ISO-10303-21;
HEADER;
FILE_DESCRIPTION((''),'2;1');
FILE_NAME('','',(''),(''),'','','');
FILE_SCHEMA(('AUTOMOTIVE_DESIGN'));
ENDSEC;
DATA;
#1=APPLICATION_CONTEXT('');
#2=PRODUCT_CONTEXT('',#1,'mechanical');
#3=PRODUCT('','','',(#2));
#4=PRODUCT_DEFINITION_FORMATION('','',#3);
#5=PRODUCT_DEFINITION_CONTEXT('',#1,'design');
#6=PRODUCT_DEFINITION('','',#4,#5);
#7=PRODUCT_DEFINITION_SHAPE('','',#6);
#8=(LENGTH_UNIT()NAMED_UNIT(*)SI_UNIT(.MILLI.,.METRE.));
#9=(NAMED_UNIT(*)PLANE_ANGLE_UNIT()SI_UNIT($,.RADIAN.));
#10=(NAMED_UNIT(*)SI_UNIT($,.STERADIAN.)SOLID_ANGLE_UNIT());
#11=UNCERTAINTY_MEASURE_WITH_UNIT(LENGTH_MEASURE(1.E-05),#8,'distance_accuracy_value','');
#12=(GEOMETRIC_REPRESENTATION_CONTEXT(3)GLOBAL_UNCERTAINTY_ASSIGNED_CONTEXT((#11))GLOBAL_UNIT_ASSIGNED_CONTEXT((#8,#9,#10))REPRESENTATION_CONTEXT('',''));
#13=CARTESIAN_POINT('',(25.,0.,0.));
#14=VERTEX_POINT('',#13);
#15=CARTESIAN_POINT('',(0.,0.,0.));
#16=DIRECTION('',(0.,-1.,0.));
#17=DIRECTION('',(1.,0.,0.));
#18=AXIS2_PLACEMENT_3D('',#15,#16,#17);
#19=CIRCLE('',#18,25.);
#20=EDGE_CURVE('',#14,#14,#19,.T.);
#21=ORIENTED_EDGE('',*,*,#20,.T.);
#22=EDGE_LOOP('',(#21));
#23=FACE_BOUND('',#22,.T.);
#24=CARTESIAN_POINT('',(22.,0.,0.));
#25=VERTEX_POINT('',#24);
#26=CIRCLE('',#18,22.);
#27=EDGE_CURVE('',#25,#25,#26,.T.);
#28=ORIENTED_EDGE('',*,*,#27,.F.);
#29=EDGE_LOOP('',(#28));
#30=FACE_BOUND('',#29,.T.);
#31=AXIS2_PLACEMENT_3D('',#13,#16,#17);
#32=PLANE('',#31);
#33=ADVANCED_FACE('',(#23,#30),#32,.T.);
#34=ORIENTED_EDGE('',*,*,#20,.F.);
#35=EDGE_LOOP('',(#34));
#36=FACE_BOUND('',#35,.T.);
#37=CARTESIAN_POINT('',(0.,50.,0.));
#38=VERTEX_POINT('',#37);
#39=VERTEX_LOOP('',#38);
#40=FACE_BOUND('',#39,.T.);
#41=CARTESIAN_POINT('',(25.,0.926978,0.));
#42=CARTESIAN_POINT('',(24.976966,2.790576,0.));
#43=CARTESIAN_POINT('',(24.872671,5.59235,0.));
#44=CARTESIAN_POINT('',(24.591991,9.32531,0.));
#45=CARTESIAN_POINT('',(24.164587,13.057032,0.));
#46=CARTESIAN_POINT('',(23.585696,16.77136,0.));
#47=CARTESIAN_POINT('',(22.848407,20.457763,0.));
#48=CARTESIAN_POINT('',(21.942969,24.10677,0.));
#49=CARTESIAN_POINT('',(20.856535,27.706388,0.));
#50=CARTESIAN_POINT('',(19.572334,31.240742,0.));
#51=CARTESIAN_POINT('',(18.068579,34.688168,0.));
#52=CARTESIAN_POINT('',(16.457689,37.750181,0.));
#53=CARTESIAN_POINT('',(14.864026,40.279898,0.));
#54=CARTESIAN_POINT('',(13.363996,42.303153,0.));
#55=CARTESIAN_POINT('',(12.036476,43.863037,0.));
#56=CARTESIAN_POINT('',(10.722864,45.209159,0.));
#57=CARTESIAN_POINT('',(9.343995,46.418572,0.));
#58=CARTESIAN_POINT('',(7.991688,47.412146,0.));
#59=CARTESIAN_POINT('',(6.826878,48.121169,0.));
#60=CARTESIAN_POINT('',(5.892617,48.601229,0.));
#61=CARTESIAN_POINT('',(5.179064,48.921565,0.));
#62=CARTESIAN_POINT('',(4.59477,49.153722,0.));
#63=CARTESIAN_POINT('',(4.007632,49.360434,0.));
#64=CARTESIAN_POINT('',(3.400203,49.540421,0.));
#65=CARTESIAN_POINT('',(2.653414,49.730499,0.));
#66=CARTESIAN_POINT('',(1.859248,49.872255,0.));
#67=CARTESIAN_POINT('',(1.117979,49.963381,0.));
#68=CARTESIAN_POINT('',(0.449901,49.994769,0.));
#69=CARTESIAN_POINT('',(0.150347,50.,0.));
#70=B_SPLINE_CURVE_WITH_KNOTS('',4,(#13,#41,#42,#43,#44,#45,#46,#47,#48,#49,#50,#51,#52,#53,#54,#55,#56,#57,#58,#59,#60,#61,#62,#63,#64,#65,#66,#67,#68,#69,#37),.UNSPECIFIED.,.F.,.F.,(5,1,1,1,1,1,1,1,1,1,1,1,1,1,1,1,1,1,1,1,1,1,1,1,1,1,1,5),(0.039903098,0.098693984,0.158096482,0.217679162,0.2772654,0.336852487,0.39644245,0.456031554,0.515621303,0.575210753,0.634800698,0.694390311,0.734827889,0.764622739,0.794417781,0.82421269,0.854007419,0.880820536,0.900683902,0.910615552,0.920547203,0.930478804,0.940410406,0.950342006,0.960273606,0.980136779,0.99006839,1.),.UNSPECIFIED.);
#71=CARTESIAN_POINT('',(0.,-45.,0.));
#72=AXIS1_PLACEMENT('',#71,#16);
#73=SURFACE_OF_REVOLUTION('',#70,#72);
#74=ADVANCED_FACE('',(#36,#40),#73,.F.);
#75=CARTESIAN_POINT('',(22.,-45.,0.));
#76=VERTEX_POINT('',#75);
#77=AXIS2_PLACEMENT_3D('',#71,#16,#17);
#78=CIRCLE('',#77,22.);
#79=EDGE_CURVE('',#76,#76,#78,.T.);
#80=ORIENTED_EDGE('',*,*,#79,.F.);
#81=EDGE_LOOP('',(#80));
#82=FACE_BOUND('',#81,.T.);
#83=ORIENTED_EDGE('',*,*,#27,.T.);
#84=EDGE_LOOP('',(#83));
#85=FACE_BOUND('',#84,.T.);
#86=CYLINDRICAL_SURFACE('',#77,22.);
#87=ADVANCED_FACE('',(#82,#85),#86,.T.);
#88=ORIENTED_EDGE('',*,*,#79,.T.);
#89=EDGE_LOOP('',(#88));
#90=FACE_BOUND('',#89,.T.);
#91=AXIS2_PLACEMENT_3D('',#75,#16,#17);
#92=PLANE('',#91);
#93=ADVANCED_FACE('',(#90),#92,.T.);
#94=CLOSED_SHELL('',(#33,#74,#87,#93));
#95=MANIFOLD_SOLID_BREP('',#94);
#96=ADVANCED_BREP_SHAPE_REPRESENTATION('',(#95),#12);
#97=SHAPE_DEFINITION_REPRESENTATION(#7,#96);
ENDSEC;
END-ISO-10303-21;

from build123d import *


with BuildPart() as part:
    # Sketch1 → Revolve1 (revolve)
    with BuildSketch(Plane.XY):
        with BuildLine():
            Line((25.000000002, 0), (22, 0))
            Line((22, 0), (22, -45))
            Line((22, -45), (0, -45))
            Line((0, -45), (0, 49.999999999))
            add(Edge.make_bspline(
                [(0, 49.999999999), (0.150346697, 49.999999999), (0.44990103, 49.994768682), (1.117978976, 49.963381232), (1.859247523, 49.872254656), (2.653413717, 49.730499012), (3.400203421, 49.540421444), (4.007632249, 49.360434184), (4.594769595, 49.153722302), (5.17906371, 48.921564539), (5.892616605, 48.601228934), (6.826878247, 48.121168992), (7.99168848, 47.412146065), (9.343995112, 46.418571746), (10.722864456, 45.20915945), (12.036476011, 43.863036719), (13.363996313, 42.303153189), (14.864026124, 40.279897763), (16.457688777, 37.750181335), (18.068578637, 34.688168195), (19.572333527, 31.24074209), (20.856534713, 27.706387698), (21.942968929, 24.106770342), (22.848406797, 20.457763058), (23.585695773, 16.771359999), (24.164587334, 13.057032093), (24.591990878, 9.325309515), (24.872671498, 5.592349999), (24.97696644, 2.790575574), (25.000000011, 0.926977799), (25.000000002, 0)],
                knots=[0.039903098, 0.039903098, 0.039903098, 0.039903098, 0.039903098, 0.049834709, 0.059766319, 0.079629492, 0.089561092, 0.099492693, 0.109424294, 0.119355895, 0.129287546, 0.139219196, 0.159082562, 0.185895679, 0.215690409, 0.245485318, 0.275280359, 0.305075209, 0.345512787, 0.4051024, 0.464692345, 0.524281796, 0.583871544, 0.643460648, 0.703050611, 0.762637698, 0.822223936, 0.881806617, 0.941209114, 1, 1, 1, 1, 1], degree=4))
        make_face()
    revolve(axis=Axis((0, -45, 0), (0, 1, 0)))


solid = part.part
